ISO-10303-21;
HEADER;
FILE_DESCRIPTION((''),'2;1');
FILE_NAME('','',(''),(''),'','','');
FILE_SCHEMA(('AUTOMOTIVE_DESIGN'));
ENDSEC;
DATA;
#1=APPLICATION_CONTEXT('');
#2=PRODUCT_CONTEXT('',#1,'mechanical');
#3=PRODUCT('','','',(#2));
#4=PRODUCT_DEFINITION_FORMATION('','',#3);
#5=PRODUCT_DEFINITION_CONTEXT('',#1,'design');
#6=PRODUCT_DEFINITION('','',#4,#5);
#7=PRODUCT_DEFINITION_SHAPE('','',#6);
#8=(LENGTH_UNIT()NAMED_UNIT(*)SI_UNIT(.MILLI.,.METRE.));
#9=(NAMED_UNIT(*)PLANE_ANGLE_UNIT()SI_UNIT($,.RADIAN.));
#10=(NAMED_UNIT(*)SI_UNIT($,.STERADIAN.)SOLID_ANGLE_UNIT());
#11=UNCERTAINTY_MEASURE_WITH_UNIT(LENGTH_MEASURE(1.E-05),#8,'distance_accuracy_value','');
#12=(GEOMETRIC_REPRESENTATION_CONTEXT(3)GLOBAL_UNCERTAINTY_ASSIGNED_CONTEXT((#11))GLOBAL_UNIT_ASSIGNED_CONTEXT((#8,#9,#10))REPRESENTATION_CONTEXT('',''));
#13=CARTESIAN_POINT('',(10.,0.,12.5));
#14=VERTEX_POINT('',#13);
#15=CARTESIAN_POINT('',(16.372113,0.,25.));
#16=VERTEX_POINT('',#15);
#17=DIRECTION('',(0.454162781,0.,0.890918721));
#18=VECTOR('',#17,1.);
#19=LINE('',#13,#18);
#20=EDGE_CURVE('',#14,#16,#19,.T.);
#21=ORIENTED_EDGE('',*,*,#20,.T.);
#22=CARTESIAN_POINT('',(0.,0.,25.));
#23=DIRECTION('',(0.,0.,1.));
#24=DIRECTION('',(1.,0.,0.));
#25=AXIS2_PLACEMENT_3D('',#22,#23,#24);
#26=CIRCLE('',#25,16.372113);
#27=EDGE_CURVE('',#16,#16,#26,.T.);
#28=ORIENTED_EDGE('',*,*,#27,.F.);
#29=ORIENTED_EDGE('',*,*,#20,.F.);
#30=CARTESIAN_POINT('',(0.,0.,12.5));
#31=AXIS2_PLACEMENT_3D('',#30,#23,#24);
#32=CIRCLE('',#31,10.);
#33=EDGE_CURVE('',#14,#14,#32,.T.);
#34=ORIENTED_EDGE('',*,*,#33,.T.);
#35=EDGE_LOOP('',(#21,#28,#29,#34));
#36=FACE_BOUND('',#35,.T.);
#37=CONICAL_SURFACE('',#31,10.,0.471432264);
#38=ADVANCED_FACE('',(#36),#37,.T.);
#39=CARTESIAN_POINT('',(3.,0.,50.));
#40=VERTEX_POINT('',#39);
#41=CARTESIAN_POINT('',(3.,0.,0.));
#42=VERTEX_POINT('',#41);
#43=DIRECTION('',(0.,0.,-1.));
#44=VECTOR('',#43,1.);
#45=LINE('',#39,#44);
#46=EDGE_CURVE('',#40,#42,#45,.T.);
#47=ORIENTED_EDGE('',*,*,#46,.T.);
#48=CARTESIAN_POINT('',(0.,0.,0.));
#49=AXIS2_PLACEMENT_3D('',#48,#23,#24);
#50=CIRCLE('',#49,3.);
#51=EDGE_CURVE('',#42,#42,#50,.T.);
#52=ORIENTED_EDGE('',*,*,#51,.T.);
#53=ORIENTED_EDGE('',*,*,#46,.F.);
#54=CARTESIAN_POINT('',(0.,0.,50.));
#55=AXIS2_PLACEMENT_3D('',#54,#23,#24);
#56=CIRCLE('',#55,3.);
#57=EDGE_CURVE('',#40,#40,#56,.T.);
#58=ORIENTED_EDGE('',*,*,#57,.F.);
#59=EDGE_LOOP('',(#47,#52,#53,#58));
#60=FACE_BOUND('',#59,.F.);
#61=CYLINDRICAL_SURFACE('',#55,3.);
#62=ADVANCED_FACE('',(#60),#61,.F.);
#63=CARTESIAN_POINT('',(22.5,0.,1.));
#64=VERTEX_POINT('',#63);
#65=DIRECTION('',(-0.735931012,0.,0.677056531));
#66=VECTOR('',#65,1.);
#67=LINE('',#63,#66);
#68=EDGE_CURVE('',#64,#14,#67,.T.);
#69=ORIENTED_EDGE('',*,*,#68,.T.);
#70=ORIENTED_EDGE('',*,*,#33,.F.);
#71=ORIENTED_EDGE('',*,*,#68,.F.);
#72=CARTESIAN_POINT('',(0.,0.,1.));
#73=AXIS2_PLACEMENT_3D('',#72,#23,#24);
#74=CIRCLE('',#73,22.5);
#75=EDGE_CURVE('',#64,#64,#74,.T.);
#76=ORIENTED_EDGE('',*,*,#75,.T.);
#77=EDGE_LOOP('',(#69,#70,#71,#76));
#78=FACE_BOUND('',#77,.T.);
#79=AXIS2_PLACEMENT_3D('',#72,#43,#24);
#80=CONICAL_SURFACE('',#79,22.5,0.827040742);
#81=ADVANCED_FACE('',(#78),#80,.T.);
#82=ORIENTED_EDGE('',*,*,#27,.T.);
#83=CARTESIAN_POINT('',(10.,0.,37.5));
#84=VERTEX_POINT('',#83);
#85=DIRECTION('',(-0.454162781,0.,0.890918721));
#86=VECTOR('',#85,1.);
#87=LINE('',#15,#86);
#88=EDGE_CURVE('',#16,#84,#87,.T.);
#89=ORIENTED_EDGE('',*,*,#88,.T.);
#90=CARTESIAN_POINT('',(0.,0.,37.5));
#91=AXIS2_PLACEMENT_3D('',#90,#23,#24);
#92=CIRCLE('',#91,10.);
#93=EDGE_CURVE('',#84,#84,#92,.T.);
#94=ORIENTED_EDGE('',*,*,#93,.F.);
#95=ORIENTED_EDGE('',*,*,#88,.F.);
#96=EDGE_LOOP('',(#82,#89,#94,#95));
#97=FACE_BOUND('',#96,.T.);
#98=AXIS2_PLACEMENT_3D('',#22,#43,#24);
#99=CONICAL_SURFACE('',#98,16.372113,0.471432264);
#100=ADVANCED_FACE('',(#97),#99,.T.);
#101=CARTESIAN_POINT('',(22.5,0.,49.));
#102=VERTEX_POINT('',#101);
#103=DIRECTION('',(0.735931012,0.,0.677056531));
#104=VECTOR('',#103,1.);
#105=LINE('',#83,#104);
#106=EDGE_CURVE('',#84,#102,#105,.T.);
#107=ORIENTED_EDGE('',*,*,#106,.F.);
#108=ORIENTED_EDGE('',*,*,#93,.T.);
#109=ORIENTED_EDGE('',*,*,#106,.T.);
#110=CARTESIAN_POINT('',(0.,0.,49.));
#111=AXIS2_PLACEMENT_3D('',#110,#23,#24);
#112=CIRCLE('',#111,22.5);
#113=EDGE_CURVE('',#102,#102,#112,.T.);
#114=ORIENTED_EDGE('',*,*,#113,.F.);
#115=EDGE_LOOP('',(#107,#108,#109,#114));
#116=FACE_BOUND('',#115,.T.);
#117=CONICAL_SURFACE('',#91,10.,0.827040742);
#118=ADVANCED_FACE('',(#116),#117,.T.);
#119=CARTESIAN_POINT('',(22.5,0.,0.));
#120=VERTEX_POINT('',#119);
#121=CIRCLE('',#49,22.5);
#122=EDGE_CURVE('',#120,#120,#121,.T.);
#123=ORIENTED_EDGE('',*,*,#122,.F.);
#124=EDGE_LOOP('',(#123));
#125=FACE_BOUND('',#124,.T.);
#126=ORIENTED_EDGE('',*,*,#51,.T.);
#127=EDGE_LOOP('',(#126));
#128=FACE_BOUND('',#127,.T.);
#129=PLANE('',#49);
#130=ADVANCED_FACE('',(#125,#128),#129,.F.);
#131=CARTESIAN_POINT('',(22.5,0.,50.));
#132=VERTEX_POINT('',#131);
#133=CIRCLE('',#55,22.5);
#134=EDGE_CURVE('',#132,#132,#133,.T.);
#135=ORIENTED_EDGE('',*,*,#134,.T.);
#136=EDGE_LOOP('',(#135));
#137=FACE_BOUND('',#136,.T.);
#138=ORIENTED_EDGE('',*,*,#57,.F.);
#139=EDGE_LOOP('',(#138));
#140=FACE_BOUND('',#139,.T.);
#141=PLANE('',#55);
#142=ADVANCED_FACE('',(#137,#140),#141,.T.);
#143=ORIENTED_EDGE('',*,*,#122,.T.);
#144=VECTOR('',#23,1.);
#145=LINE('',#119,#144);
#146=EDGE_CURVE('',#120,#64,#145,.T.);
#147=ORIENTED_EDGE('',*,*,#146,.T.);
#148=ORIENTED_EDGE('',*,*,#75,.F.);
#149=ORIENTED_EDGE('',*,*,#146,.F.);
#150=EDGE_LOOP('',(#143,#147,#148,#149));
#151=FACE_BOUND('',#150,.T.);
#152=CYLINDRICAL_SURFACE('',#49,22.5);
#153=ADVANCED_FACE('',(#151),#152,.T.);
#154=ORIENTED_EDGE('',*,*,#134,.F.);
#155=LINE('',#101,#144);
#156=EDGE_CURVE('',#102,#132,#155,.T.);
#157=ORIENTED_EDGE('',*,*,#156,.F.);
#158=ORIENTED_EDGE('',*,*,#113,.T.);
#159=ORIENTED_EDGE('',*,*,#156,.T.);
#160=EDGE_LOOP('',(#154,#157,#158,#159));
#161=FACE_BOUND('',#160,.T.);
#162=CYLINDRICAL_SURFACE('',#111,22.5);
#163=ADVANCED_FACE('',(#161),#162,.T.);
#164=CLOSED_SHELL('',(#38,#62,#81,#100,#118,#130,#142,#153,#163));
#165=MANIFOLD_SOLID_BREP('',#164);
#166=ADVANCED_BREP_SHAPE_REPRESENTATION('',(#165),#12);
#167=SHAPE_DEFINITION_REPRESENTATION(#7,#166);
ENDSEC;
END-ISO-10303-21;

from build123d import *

# Parameters (mm, degrees)
F2_R     = 3
F3_DEPTH = 50


with BuildPart() as f1:
    # F0 (on Front) → F1 (revolve)
    with BuildSketch(Plane.XZ):
        Polygon((0, 12.5), (0, 0), (22.5, 0), (22.5, 1), (10, 12.5), align=None)
        Polygon((0, 25), (0, 12.5), (10, 12.5), (16.372113, 25), align=None)
        Polygon((0, 37.5), (0, 25), (16.372113, 25), (10, 37.5), align=None)
        Polygon((0, 50), (0, 37.5), (10, 37.5), (22.5, 49), (22.5, 50), align=None)
    revolve(axis=Axis((0, 0, 25), (0, 0, 1)))

    # F2 (on face) → F3 (cut)
    with BuildSketch(Plane.XY.offset(50)):
        Circle(F2_R)
    extrude(amount=-F3_DEPTH, mode=Mode.SUBTRACT)


solid = f1.part
